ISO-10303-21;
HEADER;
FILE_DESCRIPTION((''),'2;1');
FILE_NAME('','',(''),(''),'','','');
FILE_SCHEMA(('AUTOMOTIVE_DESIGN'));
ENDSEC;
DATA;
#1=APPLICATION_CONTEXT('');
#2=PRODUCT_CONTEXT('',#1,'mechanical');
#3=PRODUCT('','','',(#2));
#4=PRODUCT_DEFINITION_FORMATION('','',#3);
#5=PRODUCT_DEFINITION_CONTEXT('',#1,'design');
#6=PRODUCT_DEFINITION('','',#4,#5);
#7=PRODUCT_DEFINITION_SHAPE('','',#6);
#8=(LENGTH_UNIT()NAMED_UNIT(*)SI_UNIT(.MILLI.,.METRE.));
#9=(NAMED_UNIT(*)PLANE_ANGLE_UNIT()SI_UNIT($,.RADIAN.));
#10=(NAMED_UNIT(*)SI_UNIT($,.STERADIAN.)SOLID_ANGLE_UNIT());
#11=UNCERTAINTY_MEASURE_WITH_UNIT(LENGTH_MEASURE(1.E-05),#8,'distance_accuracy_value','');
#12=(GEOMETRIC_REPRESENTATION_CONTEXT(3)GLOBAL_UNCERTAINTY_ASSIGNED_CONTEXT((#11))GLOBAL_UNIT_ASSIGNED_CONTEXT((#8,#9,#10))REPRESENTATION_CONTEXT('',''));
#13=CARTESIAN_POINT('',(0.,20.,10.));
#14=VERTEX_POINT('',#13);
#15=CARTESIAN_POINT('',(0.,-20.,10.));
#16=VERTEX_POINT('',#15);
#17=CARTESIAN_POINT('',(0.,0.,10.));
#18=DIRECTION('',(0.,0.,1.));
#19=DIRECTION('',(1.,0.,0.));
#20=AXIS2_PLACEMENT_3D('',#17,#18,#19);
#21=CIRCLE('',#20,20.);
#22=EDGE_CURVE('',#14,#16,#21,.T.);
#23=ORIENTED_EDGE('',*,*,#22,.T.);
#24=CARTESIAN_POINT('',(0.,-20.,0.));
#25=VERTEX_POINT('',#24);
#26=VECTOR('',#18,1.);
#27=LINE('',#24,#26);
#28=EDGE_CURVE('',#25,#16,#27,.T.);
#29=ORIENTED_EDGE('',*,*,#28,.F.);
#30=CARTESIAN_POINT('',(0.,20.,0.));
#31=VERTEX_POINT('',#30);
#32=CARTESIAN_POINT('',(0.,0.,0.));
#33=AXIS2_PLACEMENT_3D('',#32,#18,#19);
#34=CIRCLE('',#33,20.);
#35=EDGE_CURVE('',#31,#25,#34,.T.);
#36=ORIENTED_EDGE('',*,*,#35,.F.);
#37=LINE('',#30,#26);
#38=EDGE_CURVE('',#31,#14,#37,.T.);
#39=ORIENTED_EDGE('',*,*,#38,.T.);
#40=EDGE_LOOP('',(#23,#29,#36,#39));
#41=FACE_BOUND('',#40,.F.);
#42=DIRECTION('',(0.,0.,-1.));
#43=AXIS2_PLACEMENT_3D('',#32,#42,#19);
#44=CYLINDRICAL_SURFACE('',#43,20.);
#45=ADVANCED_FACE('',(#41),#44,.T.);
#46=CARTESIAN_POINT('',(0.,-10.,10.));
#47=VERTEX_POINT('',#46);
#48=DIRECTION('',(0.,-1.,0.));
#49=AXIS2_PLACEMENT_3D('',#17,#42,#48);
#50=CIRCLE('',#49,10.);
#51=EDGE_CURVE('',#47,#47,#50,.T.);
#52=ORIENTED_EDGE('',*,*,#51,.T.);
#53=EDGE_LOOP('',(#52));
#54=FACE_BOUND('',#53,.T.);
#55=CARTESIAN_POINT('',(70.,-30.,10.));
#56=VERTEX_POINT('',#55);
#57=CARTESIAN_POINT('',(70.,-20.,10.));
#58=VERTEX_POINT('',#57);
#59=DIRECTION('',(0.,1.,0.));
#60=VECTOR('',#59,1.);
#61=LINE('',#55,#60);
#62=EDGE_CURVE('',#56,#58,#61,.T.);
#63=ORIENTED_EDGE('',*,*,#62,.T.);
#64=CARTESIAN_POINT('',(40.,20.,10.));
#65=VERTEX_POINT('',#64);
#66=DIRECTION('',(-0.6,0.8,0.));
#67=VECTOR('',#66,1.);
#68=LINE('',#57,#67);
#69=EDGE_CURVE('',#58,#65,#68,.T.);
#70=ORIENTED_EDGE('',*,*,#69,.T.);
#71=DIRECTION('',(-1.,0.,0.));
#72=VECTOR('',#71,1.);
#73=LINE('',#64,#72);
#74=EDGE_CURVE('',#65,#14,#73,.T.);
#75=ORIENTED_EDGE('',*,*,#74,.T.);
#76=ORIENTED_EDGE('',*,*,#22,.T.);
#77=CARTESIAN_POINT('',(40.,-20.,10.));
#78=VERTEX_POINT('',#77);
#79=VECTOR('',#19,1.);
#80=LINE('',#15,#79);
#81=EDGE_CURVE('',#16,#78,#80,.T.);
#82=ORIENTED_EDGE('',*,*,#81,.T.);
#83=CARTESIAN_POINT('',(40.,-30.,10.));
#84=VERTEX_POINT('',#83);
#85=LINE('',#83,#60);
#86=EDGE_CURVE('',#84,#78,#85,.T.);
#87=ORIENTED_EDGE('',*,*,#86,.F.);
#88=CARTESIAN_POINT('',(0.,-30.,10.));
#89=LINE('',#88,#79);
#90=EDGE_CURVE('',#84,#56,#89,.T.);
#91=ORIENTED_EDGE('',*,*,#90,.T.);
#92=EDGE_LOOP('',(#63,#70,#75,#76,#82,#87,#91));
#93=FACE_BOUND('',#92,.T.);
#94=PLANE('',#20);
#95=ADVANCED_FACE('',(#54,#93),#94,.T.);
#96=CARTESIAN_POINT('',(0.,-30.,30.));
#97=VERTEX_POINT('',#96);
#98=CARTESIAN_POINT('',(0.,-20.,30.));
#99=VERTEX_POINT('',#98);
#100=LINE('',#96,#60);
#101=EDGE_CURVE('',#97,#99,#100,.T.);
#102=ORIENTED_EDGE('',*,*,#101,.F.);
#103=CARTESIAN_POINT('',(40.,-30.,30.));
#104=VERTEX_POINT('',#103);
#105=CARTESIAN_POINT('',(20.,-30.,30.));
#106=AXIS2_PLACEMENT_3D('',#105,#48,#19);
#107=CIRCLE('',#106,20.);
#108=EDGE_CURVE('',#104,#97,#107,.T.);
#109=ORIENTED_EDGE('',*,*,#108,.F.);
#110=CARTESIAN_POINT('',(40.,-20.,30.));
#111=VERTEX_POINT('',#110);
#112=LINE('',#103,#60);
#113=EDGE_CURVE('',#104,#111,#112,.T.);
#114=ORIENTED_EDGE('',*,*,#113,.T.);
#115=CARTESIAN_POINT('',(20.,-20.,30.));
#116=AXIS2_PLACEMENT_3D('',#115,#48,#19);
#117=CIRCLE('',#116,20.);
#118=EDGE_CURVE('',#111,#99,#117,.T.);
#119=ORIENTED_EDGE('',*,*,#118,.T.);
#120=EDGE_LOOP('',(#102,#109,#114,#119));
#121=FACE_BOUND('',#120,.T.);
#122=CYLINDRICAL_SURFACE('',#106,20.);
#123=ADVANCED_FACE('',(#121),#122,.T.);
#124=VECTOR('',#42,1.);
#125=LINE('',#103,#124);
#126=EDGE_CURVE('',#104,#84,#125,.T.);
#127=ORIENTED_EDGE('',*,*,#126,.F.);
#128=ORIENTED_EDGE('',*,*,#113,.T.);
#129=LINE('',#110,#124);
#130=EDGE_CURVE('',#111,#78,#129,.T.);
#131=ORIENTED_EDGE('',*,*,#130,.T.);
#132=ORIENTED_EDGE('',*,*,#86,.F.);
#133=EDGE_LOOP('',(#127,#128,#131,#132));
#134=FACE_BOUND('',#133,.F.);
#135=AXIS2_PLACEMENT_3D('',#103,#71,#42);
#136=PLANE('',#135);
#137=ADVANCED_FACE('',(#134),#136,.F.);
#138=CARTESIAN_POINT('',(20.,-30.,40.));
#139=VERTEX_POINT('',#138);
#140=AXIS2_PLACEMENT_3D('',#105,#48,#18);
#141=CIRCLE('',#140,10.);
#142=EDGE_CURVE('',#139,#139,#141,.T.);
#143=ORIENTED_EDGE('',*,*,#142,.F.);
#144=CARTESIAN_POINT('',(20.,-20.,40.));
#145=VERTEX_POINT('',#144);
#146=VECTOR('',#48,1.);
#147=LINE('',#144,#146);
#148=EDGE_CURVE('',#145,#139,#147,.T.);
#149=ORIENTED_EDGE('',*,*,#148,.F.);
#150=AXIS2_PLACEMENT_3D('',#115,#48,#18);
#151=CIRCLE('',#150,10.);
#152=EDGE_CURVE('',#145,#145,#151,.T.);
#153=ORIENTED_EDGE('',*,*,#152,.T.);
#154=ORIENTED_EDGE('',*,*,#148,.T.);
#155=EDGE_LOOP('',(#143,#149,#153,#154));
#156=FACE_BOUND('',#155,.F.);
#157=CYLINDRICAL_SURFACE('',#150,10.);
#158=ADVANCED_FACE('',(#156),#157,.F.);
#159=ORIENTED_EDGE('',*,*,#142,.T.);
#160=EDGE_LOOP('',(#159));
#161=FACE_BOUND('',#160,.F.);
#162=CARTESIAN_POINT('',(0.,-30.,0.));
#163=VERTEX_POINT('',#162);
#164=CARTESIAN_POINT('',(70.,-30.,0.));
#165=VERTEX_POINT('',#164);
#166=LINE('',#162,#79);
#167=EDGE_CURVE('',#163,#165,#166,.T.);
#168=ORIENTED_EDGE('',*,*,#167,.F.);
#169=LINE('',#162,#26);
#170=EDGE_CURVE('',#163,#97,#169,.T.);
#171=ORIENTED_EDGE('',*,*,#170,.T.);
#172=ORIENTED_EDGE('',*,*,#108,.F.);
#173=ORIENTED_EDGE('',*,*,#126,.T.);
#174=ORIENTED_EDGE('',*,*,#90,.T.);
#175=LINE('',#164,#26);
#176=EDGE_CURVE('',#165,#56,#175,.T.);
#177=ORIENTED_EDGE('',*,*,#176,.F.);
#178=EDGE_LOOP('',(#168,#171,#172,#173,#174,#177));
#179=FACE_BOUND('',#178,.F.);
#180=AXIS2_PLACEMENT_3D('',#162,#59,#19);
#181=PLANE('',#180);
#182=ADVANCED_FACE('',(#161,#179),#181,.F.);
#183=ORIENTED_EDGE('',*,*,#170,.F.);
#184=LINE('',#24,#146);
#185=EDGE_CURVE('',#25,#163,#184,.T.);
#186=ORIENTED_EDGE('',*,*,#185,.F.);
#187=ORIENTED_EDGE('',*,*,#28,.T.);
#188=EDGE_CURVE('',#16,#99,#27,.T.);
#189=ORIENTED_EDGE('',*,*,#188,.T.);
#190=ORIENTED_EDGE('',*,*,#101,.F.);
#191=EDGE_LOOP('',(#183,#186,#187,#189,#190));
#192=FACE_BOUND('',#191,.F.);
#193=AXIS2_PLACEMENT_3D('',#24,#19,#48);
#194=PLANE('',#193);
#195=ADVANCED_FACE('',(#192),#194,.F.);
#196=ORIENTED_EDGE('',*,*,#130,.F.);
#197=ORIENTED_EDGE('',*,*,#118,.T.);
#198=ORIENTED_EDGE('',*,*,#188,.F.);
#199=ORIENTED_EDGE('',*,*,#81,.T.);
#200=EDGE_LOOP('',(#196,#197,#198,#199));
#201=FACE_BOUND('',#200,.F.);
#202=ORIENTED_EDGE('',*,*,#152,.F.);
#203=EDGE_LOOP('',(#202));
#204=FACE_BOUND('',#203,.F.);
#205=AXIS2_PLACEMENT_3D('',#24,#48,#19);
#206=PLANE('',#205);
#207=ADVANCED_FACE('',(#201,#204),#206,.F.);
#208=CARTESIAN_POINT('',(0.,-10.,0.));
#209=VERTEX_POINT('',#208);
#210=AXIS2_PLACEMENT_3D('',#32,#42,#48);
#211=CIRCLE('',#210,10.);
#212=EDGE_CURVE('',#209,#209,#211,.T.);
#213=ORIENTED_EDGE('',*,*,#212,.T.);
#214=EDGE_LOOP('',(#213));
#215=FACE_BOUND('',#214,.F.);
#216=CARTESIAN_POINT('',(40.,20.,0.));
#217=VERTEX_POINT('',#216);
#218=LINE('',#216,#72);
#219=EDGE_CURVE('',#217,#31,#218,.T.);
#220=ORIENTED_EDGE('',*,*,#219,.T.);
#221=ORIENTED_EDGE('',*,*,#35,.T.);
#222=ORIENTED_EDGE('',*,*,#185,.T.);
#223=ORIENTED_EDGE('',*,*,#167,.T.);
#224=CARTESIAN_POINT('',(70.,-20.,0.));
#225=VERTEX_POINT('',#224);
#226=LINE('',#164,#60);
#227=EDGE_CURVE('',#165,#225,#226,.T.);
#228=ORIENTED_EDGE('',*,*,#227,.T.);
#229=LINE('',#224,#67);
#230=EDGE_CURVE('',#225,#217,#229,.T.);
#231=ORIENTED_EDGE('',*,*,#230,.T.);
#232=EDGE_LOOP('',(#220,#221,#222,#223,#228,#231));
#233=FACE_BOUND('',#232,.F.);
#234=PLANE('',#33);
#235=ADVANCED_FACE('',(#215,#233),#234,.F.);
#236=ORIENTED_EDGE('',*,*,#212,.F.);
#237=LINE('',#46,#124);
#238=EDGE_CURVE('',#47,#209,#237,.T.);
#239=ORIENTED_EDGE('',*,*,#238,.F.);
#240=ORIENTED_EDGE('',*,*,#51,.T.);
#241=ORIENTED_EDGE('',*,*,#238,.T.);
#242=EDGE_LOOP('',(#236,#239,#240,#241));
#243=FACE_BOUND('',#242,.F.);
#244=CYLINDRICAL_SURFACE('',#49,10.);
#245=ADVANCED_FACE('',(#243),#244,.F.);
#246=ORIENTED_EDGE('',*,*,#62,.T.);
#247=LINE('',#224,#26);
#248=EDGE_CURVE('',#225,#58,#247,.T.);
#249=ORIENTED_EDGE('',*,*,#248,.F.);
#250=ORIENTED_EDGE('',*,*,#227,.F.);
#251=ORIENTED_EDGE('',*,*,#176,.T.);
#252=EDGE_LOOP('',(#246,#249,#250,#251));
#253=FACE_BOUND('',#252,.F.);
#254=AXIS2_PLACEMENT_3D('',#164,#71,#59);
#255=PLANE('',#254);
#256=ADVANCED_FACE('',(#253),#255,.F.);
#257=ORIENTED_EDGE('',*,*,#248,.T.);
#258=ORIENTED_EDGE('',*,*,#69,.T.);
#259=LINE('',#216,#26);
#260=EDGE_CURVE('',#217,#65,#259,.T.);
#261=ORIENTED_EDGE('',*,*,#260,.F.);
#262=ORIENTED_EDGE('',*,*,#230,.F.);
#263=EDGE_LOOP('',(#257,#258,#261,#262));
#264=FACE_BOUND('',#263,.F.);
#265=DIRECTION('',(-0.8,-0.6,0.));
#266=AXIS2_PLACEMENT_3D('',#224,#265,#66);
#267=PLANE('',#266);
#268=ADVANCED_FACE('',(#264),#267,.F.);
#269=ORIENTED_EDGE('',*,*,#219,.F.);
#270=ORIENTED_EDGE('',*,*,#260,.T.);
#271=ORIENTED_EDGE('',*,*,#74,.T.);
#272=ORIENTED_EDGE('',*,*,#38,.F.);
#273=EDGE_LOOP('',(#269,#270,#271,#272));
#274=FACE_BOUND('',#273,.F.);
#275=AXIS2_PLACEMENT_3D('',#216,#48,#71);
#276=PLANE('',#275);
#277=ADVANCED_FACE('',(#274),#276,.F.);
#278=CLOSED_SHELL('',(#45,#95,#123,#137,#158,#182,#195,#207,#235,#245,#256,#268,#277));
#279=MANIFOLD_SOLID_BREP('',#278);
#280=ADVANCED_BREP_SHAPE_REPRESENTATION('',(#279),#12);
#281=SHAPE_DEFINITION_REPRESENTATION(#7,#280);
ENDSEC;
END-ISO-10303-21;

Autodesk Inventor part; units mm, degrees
ref_plane "YZ Plane" through (0, 0, 0) normal (1, 0, 0) x (0, 1, 0)
ref_plane "XZ Plane" through (0, 0, 0) normal (0, 1, 0) x (-1, 0, 0)
ref_plane "XY Plane" through (0, 0, 0) normal (0, 0, 1) x (1, 0, 0)
sketch "草圖1" plane through (0, 0, 0) normal (0, 0, 1) x (1, 0, 0)
  circle A0 centre (0, 0) radius 20
  line L0 (0, -20) -> (0, -30)
  line L1 (0, -30) -> (70, -30)
  line L2 (70, -30) -> (70, -20)
  line L3 (70, -20) -> (40, 20)
  line L4 (40, 20) -> (0, 20)
  dimension "d0" = 40
  dimension "d1" = 10
  dimension "d2" = 70
  dimension "d3" = 40
  dimension "d4" = 10
extrude "擠出1" add sketch "草圖1" along normal blind 10
sketch "草圖2" plane through (0, 0, 10) normal (0, 0, 1) x (1, 0, 0)
  arc A0 (0, 20) -> (0, -20) centre (0, 0) ccw projected
hole "孔1" at (0, 0, 10) direction (0, 0, -1) diameter 20 end through all
sketch "草圖3" plane through (0, -30, 0) normal (0, -1, 0) x (1, 0, 0)
  line L0 (70, 10) -> (70, 0) projected
  line L1 (70, 0) -> (0, 0) projected
  line L2 (0, 0) -> (0, 10) projected
  line L3 (0, 10) -> (70, 10) projected
  circle A0 centre (20, 30) radius 20
  line L4 (0, 30) -> (40, 30)
  line L5 (40, 30) -> (40, 0)
  line L6 (40, 0) -> (0, 0)
  line L7 (0, 0) -> (0, 30)
  line L8 (0, 0) -> (70, 0) projected
  line L9 (0, 0) -> (0, 10) projected
  point P0 (40, 10)
  point P1 (40, 30)
  dimension "d14" = 40
  dimension "d15" = 30
extrude "擠出2" add sketch "草圖3" against normal blind 10 contours L3 A0 L5 | L3 L7 A0 | A0 L4 | L4 A0
sketch "草圖4" plane through (0, -20, 0) normal (0, 1, 0) x (1, 0, 0)
  arc A0 (0, -30) -> (40, -30) centre (20, -30) ccw projected
  point P0 (0, 0)
hole "孔2" at (20, -20, 30) direction (0, -1, 0) diameter 20 end through all
properties part number "25" material "鋼、碳鋼"
